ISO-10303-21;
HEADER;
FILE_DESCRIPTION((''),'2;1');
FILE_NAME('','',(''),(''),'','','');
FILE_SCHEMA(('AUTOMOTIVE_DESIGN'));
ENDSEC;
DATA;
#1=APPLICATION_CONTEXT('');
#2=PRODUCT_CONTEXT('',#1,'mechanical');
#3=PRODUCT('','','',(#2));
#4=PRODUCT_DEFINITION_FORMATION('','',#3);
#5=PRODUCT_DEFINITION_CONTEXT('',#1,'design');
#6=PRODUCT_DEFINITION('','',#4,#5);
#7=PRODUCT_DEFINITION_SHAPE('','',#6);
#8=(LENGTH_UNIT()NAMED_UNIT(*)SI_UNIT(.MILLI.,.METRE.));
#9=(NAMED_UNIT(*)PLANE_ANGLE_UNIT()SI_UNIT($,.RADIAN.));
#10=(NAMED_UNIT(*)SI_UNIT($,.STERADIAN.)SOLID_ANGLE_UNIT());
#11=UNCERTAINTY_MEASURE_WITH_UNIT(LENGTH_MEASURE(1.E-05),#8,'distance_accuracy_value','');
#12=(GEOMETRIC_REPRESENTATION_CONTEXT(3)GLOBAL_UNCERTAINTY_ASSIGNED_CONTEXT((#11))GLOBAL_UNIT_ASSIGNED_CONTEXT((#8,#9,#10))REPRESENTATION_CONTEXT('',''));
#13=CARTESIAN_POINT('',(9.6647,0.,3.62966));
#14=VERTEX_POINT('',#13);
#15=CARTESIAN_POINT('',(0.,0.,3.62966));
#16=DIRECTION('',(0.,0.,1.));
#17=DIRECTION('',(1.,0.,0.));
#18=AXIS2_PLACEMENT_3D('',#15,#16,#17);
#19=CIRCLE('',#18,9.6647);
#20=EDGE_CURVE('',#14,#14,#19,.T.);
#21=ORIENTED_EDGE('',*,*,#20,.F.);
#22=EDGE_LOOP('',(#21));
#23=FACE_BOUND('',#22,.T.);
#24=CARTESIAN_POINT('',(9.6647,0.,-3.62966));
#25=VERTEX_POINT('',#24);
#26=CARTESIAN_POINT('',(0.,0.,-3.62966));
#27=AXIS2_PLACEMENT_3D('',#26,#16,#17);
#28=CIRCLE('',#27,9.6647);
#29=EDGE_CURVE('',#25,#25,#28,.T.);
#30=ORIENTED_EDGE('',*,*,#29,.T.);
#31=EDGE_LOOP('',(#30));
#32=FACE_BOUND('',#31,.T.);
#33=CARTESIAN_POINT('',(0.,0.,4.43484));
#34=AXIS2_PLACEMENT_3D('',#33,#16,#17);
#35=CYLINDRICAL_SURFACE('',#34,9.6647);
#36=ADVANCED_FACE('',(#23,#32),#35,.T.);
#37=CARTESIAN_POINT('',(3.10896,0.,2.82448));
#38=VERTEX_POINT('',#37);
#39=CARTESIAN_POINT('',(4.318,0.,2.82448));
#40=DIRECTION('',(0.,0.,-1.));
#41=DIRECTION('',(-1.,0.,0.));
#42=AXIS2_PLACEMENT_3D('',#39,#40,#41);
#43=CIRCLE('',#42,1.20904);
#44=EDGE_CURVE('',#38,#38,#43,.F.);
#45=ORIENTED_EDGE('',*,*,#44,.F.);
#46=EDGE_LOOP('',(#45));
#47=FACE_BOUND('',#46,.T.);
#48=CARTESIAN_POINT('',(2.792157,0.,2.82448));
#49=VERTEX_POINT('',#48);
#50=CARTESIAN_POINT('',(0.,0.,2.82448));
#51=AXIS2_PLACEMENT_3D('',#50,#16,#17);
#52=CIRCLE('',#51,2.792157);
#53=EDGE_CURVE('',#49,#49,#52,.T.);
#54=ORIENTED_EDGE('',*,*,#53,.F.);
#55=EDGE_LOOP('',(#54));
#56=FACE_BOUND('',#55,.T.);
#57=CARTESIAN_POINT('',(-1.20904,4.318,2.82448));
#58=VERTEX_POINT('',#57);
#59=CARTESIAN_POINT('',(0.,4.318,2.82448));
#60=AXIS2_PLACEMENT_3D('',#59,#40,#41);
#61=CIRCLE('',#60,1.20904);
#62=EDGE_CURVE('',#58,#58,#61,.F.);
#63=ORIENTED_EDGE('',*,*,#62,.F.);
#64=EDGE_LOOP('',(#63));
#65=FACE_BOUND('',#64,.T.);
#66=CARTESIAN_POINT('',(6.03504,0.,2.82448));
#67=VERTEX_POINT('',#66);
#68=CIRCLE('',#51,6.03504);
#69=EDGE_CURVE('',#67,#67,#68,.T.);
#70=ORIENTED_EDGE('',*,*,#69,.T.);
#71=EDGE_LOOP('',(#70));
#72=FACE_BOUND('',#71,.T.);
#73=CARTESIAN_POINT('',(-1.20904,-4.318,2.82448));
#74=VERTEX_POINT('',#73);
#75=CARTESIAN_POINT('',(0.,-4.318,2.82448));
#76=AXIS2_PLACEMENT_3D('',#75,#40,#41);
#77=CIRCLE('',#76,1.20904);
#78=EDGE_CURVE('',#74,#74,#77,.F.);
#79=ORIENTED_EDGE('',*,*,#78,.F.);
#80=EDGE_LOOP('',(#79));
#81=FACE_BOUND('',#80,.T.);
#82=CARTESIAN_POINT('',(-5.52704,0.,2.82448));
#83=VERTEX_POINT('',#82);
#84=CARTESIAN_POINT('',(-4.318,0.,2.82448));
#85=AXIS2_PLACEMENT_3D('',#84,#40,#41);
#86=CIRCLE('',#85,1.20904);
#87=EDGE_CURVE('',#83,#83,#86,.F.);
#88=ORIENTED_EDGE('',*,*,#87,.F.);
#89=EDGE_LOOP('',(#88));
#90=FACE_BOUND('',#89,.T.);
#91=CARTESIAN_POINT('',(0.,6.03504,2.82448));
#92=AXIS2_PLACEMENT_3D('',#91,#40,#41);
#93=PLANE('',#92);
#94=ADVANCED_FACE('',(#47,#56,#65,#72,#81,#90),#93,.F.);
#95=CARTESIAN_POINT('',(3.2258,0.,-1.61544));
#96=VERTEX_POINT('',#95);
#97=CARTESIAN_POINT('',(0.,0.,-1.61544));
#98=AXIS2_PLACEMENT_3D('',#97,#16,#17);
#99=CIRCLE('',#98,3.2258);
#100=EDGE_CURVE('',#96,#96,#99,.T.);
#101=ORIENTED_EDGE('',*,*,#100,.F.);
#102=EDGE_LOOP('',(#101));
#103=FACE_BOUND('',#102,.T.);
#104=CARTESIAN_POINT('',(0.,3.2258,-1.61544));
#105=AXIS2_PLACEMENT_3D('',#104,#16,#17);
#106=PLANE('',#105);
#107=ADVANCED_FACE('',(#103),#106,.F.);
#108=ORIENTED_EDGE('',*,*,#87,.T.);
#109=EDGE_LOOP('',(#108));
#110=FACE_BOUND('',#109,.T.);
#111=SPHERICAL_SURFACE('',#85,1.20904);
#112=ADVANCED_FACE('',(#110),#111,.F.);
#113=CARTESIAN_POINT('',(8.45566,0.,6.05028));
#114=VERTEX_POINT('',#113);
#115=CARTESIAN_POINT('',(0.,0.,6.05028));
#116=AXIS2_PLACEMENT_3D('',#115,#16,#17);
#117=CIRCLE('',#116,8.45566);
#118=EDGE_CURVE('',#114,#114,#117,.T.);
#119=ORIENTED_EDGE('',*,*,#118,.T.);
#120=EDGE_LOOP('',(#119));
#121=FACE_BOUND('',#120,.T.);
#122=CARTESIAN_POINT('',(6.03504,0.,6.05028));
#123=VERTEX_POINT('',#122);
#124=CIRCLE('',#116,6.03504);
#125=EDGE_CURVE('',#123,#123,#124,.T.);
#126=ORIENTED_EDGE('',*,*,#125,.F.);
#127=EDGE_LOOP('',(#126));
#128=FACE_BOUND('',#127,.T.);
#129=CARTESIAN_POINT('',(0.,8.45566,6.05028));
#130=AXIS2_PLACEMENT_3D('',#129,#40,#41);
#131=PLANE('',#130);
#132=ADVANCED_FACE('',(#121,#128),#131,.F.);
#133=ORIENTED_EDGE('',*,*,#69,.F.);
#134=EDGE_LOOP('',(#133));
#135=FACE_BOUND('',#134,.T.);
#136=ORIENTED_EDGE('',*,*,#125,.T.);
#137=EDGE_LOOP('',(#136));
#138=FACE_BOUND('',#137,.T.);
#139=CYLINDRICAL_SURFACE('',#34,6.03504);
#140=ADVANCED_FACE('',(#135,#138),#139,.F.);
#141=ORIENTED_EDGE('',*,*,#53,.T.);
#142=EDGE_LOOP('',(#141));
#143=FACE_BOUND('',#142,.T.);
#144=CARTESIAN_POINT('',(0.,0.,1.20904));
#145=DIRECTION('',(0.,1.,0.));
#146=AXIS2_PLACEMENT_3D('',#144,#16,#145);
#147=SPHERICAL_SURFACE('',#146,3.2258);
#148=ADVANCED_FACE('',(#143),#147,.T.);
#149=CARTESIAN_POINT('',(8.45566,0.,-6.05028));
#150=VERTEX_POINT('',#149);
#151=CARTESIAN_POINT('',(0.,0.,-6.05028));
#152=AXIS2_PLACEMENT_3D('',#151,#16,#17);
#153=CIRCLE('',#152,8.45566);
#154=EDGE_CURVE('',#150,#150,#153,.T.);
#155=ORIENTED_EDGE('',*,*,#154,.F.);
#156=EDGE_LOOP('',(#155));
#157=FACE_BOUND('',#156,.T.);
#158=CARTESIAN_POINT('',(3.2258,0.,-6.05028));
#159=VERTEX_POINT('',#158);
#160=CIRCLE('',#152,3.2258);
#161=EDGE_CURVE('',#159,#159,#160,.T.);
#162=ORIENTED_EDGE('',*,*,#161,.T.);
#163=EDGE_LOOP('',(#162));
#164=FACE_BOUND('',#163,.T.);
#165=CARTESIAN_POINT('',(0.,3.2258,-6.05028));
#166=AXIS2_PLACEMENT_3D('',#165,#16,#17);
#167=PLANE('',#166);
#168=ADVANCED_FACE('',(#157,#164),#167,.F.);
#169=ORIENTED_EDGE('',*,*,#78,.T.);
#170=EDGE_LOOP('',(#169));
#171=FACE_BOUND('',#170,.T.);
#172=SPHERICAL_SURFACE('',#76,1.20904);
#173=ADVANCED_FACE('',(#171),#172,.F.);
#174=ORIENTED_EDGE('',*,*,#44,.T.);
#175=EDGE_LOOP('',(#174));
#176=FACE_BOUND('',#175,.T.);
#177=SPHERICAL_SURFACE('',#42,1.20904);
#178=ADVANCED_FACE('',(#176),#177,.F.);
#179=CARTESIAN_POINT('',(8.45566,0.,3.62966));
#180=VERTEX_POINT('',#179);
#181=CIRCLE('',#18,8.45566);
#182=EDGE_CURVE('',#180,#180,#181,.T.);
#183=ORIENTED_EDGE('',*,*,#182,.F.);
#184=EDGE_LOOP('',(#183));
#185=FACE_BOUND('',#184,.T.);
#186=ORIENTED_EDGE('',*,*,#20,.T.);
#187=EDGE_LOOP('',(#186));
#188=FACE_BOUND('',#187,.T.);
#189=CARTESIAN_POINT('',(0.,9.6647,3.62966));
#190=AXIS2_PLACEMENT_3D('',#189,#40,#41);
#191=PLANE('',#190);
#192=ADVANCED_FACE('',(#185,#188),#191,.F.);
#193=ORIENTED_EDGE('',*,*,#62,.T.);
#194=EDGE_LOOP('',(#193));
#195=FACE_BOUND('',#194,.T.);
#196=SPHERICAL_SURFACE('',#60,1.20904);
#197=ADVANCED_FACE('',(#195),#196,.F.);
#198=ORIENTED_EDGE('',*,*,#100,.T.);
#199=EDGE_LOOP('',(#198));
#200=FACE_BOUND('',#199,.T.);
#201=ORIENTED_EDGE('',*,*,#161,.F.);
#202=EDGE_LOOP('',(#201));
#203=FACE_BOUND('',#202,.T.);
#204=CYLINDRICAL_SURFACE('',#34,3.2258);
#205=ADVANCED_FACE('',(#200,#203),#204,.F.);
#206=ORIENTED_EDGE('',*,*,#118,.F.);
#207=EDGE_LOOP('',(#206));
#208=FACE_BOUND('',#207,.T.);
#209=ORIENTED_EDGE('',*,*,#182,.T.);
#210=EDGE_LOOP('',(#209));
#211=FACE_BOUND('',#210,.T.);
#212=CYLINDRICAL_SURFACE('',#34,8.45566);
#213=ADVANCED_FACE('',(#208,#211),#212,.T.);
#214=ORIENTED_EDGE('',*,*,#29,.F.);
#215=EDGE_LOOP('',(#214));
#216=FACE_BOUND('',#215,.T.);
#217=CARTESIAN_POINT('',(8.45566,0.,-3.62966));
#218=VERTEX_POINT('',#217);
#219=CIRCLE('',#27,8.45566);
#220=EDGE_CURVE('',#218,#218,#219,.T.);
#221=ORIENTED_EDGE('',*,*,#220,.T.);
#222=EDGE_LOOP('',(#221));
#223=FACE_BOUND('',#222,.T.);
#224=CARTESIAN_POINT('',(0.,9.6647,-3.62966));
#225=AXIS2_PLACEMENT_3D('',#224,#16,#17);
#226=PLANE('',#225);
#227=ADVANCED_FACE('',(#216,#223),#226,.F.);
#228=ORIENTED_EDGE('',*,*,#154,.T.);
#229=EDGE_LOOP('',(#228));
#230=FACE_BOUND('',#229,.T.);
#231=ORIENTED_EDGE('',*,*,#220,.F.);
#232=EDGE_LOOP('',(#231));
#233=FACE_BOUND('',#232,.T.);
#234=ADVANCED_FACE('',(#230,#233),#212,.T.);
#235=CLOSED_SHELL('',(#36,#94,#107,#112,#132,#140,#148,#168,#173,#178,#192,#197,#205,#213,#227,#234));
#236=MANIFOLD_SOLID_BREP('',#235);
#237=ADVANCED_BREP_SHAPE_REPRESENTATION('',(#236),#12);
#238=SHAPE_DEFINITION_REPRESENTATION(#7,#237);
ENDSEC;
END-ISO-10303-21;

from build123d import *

# Parameters (mm, degrees)
CIRPATTERN1_COUNT = 4


with BuildPart() as part:
    # Sketch1 → Revolve1 (revolve)
    with BuildSketch(Plane(origin=(0, 0, 0), x_dir=(0, 0, -1), z_dir=(1, 0, 0))):
        with BuildLine():
            Line((-4.43484, 0), (1.61544, 0))
            Line((1.61544, 0), (1.61544, 3.2258))
            Line((1.61544, 3.2258), (6.05028, 3.2258))
            Line((6.05028, 3.2258), (6.05028, 8.45566))
            Line((6.05028, 8.45566), (3.62966, 8.45566))
            Line((3.62966, 8.45566), (3.62966, 9.6647))
            Line((3.62966, 9.6647), (-3.62966, 9.6647))
            Line((-3.62966, 9.6647), (-3.62966, 8.45566))
            Line((-3.62966, 8.45566), (-6.05028, 8.45566))
            Line((-6.05028, 8.45566), (-6.05028, 6.03504))
            Line((-6.05028, 6.03504), (-2.82448, 6.03504))
            Line((-2.82448, 6.03504), (-2.82448, 2.792156737))
            ThreePointArc((-2.82448, 2.792156737), (-4.003397886, 1.6116295), (-4.43484, 0))
        make_face()
    revolve(axis=Axis((0, 0, 4.43484), (0, 0, -1)))

    # Sketch2 → Cut-Revolve1 (revolve, cut)
    with BuildSketch(Plane.XY.offset(2.82448)):
        with BuildLine():
            Line((-1.20904, 4.318), (1.20904, 4.318))
            ThreePointArc((1.20904, 4.318), (0, 5.52704), (-1.20904, 4.318))
        make_face()
    cut_revolve1 = revolve(axis=Axis((-1.20904, 4.318, 2.82448), (1, 0, 0)), mode=Mode.SUBTRACT)

    # CirPattern1: Cut-Revolve1 ×4 about axis
    cirpattern1_axis = Axis((0, 0, 0), (0, 0, 1))
    for i in range(1, CIRPATTERN1_COUNT):
        add(cut_revolve1.rotate(cirpattern1_axis, i * 360 / CIRPATTERN1_COUNT), mode=Mode.SUBTRACT)


solid = part.part
